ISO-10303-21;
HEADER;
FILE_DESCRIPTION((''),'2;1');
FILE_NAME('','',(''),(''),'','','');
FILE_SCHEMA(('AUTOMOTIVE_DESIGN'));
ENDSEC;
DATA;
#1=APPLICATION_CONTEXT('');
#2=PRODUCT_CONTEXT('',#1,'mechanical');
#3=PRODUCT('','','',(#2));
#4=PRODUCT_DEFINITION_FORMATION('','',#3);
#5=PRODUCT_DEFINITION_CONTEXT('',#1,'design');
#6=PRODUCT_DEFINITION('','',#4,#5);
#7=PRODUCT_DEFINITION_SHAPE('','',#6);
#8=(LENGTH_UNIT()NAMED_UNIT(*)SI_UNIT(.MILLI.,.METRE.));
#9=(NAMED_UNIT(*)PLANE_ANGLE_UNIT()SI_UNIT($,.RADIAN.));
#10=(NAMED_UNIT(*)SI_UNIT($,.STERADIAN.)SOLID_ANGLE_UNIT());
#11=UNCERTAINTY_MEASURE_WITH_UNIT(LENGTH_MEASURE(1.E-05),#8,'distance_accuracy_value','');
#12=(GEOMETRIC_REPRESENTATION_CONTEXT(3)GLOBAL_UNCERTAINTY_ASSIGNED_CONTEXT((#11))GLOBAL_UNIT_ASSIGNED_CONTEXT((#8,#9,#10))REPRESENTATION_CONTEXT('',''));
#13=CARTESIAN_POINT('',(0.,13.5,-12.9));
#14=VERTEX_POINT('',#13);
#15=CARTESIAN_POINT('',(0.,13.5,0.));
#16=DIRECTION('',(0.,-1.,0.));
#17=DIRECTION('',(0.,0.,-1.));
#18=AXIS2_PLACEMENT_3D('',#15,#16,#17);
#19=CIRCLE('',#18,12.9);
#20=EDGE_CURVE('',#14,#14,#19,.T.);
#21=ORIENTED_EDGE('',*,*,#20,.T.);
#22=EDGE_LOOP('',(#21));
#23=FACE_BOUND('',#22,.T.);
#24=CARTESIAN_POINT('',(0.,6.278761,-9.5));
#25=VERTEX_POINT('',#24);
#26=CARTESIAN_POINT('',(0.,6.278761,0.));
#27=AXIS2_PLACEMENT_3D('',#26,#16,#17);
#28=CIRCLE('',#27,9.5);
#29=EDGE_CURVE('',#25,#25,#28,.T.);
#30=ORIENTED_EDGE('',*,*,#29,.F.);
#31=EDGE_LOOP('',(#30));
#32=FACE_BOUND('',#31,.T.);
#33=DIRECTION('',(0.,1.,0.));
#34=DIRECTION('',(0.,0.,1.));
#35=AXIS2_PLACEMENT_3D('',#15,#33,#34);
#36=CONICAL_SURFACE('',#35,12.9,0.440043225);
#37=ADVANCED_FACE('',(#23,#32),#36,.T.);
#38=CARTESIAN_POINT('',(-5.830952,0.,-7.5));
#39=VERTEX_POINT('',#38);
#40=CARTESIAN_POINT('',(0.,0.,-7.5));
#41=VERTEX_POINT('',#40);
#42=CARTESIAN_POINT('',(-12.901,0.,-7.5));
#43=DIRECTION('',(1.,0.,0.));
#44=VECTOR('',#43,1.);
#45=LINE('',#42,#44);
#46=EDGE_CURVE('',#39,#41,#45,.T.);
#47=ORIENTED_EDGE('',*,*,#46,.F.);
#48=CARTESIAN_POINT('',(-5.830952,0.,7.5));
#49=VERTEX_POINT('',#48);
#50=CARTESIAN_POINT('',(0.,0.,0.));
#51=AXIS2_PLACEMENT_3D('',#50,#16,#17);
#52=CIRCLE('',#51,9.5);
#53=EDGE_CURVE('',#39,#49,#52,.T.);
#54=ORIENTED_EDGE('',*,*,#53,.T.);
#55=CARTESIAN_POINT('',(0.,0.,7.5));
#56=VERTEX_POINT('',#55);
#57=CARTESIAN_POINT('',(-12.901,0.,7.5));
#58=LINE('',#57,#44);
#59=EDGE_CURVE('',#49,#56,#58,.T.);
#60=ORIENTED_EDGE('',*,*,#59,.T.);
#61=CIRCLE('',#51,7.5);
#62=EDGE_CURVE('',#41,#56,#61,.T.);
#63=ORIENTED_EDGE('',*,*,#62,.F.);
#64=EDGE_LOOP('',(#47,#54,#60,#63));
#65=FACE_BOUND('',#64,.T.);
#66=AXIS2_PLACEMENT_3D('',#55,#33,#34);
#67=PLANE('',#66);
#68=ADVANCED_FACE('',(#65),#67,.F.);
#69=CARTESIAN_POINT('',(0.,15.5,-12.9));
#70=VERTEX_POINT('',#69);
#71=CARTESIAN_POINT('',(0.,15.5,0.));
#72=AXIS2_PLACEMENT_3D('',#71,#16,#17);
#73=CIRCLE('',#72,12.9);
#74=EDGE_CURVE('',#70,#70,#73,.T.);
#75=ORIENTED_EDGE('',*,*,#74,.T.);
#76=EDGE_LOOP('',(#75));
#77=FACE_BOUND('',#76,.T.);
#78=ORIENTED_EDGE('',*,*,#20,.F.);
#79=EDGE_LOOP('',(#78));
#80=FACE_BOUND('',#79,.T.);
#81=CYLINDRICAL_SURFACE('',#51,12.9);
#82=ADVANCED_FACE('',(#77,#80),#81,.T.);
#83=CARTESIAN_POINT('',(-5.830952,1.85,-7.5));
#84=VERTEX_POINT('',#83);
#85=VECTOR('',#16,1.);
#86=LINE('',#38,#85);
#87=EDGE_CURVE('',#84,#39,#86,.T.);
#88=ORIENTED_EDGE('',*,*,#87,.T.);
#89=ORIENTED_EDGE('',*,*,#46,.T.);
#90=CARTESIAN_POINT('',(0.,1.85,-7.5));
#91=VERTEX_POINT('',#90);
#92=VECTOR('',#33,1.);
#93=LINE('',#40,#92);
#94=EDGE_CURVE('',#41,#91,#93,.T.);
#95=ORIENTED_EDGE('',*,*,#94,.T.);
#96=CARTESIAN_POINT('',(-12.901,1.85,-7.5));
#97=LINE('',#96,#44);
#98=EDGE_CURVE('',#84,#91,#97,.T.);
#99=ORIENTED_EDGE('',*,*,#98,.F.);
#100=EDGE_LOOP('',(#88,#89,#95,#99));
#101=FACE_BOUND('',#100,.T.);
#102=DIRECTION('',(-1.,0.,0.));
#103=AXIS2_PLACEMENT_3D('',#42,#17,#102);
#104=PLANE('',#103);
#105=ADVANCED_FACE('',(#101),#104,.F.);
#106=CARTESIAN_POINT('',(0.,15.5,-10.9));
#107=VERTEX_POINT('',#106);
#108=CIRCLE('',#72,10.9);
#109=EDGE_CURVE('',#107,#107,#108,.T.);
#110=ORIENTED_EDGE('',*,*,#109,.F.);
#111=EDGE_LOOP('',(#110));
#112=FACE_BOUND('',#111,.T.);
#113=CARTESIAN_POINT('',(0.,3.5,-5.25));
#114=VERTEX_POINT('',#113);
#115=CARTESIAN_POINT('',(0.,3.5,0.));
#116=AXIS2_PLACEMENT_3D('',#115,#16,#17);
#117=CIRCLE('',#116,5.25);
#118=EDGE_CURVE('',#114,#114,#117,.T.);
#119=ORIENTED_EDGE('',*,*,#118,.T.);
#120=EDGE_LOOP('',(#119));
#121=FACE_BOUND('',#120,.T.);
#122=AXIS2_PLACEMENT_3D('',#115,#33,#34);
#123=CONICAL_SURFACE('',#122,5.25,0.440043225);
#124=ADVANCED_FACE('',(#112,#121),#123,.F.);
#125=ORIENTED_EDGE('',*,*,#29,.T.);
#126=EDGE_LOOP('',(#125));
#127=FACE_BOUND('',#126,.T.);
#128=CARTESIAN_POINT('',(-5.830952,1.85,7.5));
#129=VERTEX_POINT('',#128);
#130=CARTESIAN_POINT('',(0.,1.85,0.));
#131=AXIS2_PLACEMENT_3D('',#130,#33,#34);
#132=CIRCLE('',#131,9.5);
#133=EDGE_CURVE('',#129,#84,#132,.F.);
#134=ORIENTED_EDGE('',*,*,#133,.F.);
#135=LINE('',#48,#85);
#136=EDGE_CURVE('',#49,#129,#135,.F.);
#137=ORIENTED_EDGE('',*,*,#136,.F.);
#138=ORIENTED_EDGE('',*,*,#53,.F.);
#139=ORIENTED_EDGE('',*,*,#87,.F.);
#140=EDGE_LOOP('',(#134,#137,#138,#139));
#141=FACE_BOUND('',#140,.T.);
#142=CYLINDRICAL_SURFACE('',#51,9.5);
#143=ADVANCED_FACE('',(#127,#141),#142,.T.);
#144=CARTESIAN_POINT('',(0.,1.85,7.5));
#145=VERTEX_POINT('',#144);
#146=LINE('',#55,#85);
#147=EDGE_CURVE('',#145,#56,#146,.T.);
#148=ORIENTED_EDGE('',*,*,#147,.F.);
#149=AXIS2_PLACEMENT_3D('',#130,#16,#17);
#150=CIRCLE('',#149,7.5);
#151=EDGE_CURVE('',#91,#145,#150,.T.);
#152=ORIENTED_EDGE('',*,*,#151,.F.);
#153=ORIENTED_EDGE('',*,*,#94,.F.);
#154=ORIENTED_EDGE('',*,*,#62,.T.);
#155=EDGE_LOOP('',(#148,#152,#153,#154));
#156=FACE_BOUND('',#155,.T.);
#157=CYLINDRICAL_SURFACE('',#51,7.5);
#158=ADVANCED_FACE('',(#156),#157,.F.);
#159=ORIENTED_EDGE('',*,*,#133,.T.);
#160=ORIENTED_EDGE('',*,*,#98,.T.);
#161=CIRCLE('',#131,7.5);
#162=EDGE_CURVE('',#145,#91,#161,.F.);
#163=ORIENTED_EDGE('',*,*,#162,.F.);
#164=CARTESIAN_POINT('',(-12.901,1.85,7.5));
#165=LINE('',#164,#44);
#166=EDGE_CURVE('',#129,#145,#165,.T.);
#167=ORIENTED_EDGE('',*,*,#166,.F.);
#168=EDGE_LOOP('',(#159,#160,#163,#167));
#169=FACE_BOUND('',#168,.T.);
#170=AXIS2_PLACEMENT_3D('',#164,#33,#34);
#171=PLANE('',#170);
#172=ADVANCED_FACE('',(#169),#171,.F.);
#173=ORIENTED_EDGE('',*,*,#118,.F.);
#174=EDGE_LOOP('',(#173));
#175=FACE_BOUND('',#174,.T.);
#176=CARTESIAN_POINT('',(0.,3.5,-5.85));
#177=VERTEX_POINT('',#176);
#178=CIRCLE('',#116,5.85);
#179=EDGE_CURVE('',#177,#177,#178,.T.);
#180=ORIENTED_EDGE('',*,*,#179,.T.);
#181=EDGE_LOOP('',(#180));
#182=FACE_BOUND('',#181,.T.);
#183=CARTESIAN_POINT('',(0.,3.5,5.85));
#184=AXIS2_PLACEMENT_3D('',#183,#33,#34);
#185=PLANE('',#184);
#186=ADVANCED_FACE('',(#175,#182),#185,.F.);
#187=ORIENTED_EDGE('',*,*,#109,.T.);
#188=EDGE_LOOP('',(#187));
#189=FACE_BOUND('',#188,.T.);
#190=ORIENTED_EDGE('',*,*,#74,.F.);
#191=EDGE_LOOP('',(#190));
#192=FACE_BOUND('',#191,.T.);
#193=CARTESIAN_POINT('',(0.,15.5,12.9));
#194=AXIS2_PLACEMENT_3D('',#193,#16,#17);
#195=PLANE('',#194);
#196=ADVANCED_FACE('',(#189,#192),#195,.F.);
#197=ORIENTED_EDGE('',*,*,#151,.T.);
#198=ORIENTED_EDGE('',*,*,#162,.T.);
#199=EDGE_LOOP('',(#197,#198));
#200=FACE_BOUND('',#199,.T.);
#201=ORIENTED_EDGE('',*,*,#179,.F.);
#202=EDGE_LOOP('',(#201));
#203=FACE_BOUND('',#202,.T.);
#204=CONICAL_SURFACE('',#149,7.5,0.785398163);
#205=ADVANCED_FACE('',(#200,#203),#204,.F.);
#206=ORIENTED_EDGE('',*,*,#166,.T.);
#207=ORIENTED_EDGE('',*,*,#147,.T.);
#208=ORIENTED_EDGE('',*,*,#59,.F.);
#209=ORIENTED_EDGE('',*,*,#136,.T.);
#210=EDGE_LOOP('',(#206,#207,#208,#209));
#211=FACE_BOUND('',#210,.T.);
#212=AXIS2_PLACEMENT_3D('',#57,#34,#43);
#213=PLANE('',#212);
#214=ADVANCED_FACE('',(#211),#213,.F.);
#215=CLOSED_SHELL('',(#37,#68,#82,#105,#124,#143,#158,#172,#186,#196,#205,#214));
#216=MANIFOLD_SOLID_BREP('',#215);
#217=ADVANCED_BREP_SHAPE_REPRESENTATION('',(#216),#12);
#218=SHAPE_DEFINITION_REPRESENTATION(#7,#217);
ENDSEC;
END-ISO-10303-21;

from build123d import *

# Parameters (mm, degrees)
CUT_EXTRUDE1_REACH = 14.9
SKETCH2_W          = 15
SKETCH2_H          = 1.85


with BuildPart() as part:
    # Sketch1 → Revolve1 (revolve)
    with BuildSketch(Plane(origin=(0, 0, 0), x_dir=(0, 0, -1), z_dir=(1, 0, 0))):
        Polygon((-7.5, 0), (-7.5, 1.85), (-5.85, 3.5), (-5.25, 3.5), (-10.9, 15.5), (-12.9, 15.5), (-12.9, 13.5), (-9.5, 6.278761062), (-9.5, 0), align=None)
    revolve(axis=Axis((0, 0, 0), (0, 1, 0)))

    # Sketch2 → Cut-Extrude1 (cut, up to next)
    with BuildSketch(Plane(origin=(0, 0, 0), x_dir=(0, 0, -1), z_dir=(1, 0, 0)), mode=Mode.PRIVATE) as cut_extrude1_sk1:
        with Locations((0, 0.925)):
            Rectangle(SKETCH2_W, SKETCH2_H)
    cut_extrude1_tool1 = extrude(cut_extrude1_sk1.sketch, amount=-CUT_EXTRUDE1_REACH, mode=Mode.PRIVATE) & part.part
    add(cut_extrude1_tool1.solids().sort_by_distance((0, 0.925, 0))[0], mode=Mode.SUBTRACT)


solid = part.part
